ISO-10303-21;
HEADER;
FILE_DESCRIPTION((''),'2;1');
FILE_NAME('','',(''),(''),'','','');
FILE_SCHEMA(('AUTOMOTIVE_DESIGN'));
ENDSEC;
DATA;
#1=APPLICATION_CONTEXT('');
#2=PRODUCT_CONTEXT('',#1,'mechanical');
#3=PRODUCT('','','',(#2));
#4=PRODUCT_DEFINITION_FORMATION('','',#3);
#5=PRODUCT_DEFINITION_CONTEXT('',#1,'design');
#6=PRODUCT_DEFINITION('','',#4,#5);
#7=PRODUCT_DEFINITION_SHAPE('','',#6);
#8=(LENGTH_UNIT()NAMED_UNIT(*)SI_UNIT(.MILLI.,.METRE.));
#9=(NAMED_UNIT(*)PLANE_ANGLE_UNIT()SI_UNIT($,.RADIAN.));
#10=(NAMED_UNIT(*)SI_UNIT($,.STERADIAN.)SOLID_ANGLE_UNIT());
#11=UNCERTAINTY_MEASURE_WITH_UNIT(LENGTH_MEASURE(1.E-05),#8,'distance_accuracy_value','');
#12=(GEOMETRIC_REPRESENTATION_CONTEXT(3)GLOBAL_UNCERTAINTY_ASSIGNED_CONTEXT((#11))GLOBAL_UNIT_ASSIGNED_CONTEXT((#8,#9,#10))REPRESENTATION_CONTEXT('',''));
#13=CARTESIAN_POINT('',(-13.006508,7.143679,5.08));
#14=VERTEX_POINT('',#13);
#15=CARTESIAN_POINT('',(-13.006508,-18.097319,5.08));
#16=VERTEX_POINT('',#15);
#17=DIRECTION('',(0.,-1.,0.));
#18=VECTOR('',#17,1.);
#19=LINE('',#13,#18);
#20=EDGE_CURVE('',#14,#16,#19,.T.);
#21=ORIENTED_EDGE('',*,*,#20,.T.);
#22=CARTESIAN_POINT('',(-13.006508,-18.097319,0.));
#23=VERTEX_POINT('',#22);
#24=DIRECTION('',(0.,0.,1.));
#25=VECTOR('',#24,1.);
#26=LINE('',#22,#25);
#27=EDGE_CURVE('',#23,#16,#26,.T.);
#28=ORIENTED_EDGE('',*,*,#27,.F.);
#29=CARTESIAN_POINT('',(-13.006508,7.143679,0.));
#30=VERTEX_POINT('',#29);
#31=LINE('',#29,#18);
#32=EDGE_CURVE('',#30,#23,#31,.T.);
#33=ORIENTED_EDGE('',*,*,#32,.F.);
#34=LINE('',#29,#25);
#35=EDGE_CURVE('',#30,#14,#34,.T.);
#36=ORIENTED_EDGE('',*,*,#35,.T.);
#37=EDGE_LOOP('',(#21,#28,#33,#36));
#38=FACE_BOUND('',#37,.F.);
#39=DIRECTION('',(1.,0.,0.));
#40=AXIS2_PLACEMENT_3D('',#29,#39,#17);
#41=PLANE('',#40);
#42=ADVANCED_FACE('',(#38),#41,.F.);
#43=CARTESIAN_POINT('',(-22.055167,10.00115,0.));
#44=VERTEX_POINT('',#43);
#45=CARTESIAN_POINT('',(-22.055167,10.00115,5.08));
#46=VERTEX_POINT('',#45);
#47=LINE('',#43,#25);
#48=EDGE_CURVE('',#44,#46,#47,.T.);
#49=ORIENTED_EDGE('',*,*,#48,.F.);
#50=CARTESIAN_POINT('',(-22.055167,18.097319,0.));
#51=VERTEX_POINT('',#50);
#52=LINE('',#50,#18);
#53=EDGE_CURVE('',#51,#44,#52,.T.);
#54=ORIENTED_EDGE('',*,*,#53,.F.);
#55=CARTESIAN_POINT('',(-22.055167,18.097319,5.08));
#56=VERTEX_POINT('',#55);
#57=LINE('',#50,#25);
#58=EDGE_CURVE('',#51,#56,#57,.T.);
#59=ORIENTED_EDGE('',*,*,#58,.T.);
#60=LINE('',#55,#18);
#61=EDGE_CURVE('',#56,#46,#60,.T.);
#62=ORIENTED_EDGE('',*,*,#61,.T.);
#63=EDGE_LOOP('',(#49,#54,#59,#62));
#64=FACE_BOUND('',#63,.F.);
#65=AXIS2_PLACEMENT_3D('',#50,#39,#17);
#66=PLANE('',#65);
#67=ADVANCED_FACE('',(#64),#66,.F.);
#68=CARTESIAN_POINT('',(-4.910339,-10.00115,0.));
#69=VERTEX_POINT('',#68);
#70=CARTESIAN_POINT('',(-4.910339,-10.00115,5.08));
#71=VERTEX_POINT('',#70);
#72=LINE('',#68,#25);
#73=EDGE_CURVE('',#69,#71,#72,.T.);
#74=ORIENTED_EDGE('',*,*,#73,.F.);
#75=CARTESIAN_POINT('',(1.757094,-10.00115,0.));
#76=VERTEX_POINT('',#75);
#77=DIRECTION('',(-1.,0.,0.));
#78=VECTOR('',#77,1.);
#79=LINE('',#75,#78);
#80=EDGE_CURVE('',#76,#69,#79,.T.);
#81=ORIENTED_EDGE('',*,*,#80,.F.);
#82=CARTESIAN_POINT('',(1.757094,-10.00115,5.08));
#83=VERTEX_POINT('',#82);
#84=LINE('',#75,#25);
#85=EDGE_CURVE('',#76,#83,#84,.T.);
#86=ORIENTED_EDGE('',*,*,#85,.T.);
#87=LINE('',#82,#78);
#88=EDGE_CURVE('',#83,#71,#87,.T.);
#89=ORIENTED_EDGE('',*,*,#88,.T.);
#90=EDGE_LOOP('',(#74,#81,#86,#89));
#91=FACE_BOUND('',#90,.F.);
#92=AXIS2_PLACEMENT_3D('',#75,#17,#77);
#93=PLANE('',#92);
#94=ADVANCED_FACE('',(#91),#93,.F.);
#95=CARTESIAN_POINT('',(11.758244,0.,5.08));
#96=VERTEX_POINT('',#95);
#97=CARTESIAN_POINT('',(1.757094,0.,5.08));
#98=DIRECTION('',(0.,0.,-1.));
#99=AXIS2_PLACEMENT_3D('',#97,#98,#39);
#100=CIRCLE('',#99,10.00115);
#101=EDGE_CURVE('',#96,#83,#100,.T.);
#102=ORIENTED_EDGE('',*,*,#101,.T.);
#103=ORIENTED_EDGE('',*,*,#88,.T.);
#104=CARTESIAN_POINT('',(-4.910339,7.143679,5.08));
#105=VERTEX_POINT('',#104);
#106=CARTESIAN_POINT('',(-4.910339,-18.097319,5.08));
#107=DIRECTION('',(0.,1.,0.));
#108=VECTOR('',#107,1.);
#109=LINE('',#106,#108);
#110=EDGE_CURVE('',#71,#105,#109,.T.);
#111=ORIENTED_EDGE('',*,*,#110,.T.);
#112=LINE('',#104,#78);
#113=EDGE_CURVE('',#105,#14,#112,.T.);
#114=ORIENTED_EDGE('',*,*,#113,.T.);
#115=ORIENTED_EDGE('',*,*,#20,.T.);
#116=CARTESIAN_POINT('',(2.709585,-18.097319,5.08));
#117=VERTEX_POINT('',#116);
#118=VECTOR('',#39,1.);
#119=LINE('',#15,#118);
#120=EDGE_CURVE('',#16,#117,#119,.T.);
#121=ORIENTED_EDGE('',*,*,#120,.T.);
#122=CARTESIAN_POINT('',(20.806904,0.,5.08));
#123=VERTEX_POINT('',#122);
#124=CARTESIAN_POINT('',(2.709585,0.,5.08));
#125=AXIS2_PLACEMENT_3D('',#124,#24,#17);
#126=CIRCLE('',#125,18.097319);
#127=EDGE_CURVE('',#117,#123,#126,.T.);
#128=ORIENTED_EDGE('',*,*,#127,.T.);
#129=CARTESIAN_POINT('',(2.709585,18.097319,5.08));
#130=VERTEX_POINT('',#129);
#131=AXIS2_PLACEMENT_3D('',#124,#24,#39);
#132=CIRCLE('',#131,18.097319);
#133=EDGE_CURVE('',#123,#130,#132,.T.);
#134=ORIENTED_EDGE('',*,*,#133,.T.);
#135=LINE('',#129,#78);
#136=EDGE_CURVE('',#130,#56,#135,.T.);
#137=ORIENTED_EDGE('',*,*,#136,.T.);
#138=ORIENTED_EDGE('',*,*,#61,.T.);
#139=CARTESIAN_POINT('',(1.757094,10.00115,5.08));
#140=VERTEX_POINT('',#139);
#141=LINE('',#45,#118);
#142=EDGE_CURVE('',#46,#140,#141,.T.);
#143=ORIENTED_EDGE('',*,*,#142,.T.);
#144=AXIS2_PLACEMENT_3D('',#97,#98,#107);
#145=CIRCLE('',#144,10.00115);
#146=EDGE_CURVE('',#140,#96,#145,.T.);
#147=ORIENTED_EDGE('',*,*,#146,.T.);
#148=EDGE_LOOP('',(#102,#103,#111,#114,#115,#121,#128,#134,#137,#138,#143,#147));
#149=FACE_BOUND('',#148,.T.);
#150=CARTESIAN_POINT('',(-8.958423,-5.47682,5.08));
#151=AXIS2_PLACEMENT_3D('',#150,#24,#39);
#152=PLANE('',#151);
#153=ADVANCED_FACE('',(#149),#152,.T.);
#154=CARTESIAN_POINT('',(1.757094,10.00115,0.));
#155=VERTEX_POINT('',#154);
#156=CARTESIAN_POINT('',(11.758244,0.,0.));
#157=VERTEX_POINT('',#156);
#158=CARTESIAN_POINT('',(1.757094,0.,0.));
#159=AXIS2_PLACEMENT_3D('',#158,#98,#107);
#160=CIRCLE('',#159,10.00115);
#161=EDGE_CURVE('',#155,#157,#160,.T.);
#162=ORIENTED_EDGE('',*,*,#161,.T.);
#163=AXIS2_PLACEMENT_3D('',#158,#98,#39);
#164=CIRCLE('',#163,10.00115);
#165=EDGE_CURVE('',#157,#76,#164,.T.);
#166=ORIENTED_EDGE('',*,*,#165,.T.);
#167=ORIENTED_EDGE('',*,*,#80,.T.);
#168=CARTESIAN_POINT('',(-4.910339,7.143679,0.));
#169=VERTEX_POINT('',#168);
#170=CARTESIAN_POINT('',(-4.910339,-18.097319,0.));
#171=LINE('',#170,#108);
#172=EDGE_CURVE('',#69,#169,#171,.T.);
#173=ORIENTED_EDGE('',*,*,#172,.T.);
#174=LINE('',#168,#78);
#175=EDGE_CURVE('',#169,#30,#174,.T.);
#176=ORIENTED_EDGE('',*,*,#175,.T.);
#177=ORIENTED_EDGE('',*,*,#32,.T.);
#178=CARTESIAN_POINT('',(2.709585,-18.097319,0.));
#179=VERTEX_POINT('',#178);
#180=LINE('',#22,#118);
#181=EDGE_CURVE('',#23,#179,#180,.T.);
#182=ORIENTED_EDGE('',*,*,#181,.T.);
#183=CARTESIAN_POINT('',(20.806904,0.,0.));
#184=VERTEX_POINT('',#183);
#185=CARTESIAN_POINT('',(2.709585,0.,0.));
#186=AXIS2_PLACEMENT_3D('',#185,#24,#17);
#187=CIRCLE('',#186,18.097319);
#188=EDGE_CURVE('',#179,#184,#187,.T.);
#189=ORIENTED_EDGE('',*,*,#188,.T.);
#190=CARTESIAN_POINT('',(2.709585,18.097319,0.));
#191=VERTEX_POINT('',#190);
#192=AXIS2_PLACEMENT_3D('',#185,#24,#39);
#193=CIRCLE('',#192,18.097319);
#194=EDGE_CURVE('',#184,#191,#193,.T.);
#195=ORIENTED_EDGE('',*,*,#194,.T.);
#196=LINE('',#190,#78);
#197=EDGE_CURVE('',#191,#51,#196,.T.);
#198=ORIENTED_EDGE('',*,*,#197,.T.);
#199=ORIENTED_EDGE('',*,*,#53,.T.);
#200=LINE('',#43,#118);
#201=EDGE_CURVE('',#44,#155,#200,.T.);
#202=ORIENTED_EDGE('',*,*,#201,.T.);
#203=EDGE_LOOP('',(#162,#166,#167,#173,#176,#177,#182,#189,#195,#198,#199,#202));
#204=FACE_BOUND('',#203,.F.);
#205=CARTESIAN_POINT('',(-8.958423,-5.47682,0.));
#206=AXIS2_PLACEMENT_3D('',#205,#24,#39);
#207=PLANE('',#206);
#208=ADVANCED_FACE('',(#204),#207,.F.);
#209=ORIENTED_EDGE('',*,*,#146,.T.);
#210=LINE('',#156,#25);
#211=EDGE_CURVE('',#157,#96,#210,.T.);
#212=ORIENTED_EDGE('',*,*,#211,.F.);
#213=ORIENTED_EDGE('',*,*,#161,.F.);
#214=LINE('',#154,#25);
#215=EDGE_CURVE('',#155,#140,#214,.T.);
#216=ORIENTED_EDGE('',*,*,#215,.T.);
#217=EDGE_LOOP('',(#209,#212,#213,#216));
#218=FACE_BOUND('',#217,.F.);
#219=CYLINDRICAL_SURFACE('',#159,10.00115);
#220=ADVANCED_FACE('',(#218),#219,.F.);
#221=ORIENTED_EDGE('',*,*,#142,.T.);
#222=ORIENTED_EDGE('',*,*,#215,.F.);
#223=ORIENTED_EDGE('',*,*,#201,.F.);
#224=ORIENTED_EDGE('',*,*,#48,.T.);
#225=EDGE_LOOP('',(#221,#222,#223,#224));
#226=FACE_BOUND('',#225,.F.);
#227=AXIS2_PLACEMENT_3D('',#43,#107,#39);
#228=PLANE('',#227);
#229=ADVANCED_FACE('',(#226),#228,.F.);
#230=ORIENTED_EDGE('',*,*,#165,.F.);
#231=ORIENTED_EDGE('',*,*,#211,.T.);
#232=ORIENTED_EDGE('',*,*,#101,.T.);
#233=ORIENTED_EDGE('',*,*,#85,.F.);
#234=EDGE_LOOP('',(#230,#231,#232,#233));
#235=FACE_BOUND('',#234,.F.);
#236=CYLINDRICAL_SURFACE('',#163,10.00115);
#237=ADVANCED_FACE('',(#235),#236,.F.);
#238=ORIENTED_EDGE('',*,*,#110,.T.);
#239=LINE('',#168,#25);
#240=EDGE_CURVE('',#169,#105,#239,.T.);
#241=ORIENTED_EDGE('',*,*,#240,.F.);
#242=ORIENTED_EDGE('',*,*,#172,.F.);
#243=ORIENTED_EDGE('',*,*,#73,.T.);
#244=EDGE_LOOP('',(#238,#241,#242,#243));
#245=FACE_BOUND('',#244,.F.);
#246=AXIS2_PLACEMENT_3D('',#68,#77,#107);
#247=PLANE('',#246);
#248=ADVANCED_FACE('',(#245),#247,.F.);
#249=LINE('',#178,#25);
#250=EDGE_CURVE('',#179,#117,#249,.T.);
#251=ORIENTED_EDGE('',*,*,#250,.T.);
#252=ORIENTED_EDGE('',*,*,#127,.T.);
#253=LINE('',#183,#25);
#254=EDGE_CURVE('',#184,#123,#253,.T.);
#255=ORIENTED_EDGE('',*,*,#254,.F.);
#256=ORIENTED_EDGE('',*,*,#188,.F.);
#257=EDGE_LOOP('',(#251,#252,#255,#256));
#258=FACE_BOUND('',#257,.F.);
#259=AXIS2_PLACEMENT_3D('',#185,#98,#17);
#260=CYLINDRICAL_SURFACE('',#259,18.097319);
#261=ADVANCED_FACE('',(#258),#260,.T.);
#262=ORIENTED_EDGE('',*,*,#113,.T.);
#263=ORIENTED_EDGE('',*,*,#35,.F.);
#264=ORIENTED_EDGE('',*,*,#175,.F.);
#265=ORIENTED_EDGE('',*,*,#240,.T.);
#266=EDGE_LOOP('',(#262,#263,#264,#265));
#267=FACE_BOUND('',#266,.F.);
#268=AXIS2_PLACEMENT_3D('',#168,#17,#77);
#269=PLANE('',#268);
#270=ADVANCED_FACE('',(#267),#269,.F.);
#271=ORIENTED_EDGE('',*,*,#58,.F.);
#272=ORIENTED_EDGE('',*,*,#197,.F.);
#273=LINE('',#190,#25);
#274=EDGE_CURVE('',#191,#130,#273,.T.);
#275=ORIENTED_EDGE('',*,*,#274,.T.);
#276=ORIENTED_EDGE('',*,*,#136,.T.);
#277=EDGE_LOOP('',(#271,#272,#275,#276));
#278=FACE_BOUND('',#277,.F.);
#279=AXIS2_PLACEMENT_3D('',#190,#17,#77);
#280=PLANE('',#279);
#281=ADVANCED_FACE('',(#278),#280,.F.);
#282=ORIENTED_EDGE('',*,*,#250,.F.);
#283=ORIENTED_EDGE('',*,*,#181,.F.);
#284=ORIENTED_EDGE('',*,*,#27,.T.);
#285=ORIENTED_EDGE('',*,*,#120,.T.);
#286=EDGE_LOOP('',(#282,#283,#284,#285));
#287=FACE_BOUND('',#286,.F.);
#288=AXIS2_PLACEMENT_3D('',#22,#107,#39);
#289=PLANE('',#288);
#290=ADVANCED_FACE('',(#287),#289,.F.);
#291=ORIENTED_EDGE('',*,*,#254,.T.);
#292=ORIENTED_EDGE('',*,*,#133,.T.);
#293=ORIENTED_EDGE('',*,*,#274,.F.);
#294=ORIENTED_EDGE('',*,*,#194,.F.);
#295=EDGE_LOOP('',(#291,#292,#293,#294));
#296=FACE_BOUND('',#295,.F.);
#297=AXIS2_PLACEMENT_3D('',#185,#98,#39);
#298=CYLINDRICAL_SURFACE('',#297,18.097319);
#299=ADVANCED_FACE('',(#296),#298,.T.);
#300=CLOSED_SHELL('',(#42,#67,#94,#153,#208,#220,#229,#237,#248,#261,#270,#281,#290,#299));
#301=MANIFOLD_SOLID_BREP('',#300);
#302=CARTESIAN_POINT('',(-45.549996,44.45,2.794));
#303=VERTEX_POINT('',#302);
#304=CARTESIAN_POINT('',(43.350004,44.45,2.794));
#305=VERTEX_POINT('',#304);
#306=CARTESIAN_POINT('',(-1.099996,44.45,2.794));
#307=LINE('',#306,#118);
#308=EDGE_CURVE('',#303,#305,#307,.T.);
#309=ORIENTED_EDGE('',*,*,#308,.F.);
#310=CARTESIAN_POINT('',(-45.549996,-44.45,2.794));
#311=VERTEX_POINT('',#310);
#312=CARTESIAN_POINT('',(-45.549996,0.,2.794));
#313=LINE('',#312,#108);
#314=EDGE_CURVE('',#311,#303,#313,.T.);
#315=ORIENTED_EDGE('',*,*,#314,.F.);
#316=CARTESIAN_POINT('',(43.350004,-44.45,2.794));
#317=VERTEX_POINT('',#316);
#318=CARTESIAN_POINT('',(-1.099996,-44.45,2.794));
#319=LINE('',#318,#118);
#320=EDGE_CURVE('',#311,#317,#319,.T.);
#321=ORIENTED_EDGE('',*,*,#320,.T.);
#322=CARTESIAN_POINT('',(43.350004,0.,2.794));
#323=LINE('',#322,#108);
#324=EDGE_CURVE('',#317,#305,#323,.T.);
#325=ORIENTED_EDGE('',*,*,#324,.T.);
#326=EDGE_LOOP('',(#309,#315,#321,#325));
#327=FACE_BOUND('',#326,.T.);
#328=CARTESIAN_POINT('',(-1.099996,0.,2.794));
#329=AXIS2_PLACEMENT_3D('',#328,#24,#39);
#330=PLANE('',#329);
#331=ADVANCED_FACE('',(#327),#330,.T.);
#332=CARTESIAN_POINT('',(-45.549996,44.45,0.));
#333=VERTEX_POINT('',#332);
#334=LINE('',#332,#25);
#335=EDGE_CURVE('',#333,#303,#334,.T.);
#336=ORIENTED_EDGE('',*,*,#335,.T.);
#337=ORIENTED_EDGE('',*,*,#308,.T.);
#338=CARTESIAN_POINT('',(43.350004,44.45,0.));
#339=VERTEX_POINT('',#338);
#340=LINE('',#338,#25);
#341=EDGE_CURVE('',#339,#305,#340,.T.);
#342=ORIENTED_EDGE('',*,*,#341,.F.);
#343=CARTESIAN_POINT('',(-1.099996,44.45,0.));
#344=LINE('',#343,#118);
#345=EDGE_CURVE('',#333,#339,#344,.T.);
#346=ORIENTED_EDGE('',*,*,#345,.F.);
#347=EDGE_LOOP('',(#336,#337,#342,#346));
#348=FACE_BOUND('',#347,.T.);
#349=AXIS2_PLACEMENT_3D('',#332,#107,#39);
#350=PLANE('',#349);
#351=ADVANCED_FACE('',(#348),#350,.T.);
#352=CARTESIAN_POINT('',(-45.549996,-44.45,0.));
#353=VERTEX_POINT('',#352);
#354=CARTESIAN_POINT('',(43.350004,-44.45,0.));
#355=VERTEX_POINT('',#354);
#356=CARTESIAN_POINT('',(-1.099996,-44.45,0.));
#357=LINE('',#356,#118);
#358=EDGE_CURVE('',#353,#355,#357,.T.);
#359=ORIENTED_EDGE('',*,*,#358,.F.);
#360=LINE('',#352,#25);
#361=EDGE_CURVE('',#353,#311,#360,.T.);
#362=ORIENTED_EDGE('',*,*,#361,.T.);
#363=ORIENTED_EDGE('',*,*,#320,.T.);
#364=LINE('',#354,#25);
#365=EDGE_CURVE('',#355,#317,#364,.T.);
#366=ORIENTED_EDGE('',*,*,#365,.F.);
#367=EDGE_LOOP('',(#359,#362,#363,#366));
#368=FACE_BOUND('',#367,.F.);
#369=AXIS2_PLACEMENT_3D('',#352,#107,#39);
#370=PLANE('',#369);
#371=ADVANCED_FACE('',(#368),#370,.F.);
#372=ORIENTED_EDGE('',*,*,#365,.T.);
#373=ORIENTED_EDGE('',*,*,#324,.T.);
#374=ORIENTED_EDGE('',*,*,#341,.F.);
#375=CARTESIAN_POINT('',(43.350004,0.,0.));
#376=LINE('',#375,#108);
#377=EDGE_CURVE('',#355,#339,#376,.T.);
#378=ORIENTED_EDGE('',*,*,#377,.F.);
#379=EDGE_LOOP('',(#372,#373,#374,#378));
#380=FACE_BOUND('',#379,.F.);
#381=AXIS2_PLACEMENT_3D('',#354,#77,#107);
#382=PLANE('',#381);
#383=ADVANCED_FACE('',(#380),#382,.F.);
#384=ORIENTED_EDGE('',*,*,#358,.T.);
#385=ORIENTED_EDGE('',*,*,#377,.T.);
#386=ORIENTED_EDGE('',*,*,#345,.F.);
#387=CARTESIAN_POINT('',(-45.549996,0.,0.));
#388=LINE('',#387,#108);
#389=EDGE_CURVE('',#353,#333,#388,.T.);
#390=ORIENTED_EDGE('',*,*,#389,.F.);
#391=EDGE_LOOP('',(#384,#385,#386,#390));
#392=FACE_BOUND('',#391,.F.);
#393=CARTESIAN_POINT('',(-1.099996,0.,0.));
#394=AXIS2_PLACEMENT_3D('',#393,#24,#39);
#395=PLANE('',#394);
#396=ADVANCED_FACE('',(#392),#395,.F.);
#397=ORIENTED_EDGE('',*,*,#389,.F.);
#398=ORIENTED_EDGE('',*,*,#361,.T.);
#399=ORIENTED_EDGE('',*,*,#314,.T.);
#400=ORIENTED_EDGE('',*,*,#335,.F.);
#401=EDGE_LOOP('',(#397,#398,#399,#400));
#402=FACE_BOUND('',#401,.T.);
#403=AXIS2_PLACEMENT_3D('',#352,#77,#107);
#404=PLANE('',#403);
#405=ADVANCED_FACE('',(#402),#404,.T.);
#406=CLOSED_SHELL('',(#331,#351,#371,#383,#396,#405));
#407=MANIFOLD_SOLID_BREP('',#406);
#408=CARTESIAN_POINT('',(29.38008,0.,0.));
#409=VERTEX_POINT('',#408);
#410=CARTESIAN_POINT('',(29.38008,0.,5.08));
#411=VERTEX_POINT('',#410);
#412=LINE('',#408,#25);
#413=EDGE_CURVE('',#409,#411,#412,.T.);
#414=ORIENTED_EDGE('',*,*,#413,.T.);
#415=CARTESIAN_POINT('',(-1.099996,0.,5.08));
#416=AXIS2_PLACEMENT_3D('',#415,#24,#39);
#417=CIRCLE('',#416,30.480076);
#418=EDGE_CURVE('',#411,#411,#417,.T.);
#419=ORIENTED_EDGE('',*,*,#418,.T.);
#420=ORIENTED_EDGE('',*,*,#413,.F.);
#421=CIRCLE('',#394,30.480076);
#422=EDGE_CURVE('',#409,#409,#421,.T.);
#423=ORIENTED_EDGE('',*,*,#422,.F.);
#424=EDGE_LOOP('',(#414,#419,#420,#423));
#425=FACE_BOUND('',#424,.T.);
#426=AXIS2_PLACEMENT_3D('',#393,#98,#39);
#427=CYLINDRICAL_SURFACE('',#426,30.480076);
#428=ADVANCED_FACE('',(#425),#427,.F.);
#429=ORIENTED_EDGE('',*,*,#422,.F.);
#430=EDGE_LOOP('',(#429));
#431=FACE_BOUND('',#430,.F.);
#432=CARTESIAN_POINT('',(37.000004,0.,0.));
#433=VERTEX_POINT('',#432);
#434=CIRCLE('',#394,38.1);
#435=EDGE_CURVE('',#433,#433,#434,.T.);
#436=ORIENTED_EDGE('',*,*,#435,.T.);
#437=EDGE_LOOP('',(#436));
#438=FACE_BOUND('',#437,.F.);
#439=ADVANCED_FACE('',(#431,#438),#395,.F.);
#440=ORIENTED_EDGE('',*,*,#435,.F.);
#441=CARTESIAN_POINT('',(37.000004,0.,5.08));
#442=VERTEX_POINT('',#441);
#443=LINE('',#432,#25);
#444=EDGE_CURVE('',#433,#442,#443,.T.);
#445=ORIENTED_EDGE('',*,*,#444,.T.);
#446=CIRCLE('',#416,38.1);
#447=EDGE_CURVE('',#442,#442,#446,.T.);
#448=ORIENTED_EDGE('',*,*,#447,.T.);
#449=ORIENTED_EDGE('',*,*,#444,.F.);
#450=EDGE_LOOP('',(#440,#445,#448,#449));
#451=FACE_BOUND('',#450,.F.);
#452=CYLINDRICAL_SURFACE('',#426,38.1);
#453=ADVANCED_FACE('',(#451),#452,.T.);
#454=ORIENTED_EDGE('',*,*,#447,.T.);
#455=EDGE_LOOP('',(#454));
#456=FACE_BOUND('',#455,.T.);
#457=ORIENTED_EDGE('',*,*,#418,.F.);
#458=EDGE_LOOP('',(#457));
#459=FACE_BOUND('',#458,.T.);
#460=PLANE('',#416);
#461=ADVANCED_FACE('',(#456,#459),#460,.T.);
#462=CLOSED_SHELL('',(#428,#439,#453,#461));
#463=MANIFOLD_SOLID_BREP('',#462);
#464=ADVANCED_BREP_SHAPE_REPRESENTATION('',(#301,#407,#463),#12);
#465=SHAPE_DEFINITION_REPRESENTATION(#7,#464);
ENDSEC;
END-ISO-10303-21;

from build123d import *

# Parameters (mm, degrees)
F1_DEPTH = 5.08
F0_R     = 38.1
F0_R_2   = 30.4800761992
F2_W     = 88.9
F2_H     = 88.9
F3_DEPTH = 2.794


with BuildPart() as f1:
    # F0 (on Top) → F1 (new body)
    with BuildSketch(Plane.XY):
        Polygon((-13.0065079349, -18.0973190268), (-4.9103388966, -18.0973190268), (-4.9103388966, -10.0011499885), (-4.9103388966, 7.1436785632), (-13.0065079349, 7.1436785632), align=None)
        with BuildLine():
            Line((11.7582444176, 0), (20.806903931, 0))
            ThreePointArc((20.806903931, 0), (15.5063219093, 12.7967370052), (2.7095849042, 18.0973190268))
            Line((2.7095849042, 18.0973190268), (-22.0551674483, 18.0973190268))
            Line((-22.0551674483, 18.0973190268), (-22.0551674483, 10.0011499885))
            Line((-22.0551674483, 10.0011499885), (1.7570944291, 10.0011499885))
            ThreePointArc((1.7570944291, 10.0011499885), (8.8289754056, 7.0718809765), (11.7582444176, 0))
        make_face()
        with BuildLine():
            Line((-4.9103388966, -10.0011499885), (-4.9103388966, -18.0973190268))
            Line((-4.9103388966, -18.0973190268), (2.7095849042, -18.0973190268))
            ThreePointArc((2.7095849042, -18.0973190268), (15.5063219093, -12.7967370052), (20.806903931, 0))
            Line((20.806903931, 0), (11.7582444176, 0))
            ThreePointArc((11.7582444176, 0), (8.8289754056, -7.0718809765), (1.7570944291, -10.0011499885))
            Line((1.7570944291, -10.0011499885), (-4.9103388966, -10.0011499885))
        make_face()
    extrude(amount=F1_DEPTH)


with BuildPart() as f1b:
    # F0 (on Top) → F1, piece 2 (new body)
    with BuildSketch(Plane.XY):
        with Locations((-1.099996, 0)):
            Circle(F0_R)
        with Locations((-1.099996, 0)):
            Circle(F0_R_2, mode=Mode.SUBTRACT)
    extrude(amount=F1_DEPTH)


with BuildPart() as f3:
    # F2 (on Top) → F3 (new body)
    with BuildSketch(Plane.XY):
        with Locations((-1.099996, 0)):
            Rectangle(F2_W, F2_H)
    extrude(amount=F3_DEPTH)


solid = Compound([f1.part, f1b.part, f3.part])
